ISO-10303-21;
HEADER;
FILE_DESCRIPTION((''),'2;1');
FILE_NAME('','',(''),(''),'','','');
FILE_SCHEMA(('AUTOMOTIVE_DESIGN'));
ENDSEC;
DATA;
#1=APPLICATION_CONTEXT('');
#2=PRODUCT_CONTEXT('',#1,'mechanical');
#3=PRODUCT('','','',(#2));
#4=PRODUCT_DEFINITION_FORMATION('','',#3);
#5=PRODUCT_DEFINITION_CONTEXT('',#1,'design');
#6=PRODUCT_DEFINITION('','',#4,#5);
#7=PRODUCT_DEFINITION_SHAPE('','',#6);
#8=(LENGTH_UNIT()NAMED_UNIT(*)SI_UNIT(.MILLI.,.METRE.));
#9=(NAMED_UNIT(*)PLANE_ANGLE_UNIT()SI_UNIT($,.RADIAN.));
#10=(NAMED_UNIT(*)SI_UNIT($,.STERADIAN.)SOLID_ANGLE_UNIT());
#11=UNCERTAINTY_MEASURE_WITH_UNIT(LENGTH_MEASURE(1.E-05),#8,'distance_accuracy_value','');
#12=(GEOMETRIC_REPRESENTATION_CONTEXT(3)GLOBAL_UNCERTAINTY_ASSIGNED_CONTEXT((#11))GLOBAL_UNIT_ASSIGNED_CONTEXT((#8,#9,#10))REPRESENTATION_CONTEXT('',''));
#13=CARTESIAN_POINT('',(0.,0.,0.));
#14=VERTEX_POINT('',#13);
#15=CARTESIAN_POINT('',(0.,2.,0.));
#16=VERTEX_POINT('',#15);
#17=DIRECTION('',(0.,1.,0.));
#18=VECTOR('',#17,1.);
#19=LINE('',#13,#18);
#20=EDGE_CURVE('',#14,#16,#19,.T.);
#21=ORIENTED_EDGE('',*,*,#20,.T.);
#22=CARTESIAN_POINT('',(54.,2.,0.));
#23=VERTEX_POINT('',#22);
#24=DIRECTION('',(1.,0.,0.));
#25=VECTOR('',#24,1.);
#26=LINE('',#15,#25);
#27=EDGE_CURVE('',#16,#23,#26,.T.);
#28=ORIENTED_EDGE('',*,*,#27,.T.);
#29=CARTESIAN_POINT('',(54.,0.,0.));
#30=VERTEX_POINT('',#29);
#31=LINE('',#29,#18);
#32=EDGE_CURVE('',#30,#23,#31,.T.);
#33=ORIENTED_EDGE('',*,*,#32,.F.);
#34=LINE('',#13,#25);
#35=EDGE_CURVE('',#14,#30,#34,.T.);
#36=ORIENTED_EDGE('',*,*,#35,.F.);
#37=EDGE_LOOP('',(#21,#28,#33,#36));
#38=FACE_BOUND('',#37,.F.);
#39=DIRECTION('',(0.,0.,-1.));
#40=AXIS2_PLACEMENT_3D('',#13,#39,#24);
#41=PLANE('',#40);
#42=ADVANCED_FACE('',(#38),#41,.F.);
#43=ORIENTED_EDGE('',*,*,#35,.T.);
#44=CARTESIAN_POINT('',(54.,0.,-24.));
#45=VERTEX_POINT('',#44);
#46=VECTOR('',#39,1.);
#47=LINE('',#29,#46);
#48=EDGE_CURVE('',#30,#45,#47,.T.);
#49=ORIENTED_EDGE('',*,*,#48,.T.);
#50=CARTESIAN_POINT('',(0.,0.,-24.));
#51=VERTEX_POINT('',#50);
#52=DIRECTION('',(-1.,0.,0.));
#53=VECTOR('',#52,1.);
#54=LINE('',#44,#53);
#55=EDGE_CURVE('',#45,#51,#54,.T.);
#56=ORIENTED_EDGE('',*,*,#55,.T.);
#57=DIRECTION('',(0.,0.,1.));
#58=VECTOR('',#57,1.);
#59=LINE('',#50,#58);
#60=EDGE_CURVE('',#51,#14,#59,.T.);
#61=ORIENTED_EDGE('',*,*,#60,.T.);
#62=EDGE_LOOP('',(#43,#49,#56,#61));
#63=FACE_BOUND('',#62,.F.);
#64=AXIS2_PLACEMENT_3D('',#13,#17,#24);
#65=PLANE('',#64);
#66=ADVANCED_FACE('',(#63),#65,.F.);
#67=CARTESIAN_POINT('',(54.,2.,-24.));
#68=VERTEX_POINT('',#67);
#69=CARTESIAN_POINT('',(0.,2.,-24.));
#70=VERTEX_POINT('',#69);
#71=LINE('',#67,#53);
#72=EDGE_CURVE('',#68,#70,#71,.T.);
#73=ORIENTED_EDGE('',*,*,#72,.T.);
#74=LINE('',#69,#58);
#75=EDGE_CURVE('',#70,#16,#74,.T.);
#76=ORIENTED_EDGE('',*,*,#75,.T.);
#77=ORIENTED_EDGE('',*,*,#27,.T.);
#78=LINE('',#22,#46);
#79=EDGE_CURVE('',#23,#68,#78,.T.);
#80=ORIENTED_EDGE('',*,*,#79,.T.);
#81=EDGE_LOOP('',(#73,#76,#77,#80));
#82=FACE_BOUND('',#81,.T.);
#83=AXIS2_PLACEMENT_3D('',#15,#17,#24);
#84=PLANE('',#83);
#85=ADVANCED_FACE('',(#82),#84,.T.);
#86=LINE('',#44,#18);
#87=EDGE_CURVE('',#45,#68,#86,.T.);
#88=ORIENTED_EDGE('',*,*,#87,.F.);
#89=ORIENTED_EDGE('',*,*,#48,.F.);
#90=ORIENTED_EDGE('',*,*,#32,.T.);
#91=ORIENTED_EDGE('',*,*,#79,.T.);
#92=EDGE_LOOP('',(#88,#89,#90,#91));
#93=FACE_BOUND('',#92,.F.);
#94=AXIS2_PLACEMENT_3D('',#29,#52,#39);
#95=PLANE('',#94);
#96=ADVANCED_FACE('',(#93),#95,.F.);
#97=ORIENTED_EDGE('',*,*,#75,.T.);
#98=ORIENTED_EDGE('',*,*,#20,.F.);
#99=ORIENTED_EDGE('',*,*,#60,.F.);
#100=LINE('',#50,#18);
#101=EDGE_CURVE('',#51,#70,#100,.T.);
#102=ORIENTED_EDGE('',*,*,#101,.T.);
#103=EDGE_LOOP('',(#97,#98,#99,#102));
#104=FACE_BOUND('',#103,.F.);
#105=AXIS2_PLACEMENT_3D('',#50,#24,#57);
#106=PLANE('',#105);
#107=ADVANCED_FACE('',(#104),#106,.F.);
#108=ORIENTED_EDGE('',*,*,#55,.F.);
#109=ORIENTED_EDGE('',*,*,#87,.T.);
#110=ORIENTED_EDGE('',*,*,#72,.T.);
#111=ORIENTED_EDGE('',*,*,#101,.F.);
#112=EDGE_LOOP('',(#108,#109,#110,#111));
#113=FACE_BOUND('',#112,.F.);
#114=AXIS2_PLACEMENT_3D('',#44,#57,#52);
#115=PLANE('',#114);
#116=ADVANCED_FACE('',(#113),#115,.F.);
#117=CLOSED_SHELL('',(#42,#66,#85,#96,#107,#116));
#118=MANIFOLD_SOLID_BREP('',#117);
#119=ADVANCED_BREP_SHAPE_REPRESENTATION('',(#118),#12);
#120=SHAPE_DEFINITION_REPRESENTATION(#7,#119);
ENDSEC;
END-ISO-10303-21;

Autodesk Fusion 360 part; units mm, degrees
sketch "Sketch1" plane through (0, 0, 0) normal (0, 1, 0) x (1, 0, 0)
  line L0 (0, 0) -> (54, 0)
  line L1 (54, 0) -> (54, 24)
  line L2 (54, 24) -> (0, 24)
  line L3 (0, 24) -> (0, 0)
  dimension "d1" = 54
  dimension "d2" = 24
extrude "Extrude1" add sketch "Sketch1" along normal blind 2
